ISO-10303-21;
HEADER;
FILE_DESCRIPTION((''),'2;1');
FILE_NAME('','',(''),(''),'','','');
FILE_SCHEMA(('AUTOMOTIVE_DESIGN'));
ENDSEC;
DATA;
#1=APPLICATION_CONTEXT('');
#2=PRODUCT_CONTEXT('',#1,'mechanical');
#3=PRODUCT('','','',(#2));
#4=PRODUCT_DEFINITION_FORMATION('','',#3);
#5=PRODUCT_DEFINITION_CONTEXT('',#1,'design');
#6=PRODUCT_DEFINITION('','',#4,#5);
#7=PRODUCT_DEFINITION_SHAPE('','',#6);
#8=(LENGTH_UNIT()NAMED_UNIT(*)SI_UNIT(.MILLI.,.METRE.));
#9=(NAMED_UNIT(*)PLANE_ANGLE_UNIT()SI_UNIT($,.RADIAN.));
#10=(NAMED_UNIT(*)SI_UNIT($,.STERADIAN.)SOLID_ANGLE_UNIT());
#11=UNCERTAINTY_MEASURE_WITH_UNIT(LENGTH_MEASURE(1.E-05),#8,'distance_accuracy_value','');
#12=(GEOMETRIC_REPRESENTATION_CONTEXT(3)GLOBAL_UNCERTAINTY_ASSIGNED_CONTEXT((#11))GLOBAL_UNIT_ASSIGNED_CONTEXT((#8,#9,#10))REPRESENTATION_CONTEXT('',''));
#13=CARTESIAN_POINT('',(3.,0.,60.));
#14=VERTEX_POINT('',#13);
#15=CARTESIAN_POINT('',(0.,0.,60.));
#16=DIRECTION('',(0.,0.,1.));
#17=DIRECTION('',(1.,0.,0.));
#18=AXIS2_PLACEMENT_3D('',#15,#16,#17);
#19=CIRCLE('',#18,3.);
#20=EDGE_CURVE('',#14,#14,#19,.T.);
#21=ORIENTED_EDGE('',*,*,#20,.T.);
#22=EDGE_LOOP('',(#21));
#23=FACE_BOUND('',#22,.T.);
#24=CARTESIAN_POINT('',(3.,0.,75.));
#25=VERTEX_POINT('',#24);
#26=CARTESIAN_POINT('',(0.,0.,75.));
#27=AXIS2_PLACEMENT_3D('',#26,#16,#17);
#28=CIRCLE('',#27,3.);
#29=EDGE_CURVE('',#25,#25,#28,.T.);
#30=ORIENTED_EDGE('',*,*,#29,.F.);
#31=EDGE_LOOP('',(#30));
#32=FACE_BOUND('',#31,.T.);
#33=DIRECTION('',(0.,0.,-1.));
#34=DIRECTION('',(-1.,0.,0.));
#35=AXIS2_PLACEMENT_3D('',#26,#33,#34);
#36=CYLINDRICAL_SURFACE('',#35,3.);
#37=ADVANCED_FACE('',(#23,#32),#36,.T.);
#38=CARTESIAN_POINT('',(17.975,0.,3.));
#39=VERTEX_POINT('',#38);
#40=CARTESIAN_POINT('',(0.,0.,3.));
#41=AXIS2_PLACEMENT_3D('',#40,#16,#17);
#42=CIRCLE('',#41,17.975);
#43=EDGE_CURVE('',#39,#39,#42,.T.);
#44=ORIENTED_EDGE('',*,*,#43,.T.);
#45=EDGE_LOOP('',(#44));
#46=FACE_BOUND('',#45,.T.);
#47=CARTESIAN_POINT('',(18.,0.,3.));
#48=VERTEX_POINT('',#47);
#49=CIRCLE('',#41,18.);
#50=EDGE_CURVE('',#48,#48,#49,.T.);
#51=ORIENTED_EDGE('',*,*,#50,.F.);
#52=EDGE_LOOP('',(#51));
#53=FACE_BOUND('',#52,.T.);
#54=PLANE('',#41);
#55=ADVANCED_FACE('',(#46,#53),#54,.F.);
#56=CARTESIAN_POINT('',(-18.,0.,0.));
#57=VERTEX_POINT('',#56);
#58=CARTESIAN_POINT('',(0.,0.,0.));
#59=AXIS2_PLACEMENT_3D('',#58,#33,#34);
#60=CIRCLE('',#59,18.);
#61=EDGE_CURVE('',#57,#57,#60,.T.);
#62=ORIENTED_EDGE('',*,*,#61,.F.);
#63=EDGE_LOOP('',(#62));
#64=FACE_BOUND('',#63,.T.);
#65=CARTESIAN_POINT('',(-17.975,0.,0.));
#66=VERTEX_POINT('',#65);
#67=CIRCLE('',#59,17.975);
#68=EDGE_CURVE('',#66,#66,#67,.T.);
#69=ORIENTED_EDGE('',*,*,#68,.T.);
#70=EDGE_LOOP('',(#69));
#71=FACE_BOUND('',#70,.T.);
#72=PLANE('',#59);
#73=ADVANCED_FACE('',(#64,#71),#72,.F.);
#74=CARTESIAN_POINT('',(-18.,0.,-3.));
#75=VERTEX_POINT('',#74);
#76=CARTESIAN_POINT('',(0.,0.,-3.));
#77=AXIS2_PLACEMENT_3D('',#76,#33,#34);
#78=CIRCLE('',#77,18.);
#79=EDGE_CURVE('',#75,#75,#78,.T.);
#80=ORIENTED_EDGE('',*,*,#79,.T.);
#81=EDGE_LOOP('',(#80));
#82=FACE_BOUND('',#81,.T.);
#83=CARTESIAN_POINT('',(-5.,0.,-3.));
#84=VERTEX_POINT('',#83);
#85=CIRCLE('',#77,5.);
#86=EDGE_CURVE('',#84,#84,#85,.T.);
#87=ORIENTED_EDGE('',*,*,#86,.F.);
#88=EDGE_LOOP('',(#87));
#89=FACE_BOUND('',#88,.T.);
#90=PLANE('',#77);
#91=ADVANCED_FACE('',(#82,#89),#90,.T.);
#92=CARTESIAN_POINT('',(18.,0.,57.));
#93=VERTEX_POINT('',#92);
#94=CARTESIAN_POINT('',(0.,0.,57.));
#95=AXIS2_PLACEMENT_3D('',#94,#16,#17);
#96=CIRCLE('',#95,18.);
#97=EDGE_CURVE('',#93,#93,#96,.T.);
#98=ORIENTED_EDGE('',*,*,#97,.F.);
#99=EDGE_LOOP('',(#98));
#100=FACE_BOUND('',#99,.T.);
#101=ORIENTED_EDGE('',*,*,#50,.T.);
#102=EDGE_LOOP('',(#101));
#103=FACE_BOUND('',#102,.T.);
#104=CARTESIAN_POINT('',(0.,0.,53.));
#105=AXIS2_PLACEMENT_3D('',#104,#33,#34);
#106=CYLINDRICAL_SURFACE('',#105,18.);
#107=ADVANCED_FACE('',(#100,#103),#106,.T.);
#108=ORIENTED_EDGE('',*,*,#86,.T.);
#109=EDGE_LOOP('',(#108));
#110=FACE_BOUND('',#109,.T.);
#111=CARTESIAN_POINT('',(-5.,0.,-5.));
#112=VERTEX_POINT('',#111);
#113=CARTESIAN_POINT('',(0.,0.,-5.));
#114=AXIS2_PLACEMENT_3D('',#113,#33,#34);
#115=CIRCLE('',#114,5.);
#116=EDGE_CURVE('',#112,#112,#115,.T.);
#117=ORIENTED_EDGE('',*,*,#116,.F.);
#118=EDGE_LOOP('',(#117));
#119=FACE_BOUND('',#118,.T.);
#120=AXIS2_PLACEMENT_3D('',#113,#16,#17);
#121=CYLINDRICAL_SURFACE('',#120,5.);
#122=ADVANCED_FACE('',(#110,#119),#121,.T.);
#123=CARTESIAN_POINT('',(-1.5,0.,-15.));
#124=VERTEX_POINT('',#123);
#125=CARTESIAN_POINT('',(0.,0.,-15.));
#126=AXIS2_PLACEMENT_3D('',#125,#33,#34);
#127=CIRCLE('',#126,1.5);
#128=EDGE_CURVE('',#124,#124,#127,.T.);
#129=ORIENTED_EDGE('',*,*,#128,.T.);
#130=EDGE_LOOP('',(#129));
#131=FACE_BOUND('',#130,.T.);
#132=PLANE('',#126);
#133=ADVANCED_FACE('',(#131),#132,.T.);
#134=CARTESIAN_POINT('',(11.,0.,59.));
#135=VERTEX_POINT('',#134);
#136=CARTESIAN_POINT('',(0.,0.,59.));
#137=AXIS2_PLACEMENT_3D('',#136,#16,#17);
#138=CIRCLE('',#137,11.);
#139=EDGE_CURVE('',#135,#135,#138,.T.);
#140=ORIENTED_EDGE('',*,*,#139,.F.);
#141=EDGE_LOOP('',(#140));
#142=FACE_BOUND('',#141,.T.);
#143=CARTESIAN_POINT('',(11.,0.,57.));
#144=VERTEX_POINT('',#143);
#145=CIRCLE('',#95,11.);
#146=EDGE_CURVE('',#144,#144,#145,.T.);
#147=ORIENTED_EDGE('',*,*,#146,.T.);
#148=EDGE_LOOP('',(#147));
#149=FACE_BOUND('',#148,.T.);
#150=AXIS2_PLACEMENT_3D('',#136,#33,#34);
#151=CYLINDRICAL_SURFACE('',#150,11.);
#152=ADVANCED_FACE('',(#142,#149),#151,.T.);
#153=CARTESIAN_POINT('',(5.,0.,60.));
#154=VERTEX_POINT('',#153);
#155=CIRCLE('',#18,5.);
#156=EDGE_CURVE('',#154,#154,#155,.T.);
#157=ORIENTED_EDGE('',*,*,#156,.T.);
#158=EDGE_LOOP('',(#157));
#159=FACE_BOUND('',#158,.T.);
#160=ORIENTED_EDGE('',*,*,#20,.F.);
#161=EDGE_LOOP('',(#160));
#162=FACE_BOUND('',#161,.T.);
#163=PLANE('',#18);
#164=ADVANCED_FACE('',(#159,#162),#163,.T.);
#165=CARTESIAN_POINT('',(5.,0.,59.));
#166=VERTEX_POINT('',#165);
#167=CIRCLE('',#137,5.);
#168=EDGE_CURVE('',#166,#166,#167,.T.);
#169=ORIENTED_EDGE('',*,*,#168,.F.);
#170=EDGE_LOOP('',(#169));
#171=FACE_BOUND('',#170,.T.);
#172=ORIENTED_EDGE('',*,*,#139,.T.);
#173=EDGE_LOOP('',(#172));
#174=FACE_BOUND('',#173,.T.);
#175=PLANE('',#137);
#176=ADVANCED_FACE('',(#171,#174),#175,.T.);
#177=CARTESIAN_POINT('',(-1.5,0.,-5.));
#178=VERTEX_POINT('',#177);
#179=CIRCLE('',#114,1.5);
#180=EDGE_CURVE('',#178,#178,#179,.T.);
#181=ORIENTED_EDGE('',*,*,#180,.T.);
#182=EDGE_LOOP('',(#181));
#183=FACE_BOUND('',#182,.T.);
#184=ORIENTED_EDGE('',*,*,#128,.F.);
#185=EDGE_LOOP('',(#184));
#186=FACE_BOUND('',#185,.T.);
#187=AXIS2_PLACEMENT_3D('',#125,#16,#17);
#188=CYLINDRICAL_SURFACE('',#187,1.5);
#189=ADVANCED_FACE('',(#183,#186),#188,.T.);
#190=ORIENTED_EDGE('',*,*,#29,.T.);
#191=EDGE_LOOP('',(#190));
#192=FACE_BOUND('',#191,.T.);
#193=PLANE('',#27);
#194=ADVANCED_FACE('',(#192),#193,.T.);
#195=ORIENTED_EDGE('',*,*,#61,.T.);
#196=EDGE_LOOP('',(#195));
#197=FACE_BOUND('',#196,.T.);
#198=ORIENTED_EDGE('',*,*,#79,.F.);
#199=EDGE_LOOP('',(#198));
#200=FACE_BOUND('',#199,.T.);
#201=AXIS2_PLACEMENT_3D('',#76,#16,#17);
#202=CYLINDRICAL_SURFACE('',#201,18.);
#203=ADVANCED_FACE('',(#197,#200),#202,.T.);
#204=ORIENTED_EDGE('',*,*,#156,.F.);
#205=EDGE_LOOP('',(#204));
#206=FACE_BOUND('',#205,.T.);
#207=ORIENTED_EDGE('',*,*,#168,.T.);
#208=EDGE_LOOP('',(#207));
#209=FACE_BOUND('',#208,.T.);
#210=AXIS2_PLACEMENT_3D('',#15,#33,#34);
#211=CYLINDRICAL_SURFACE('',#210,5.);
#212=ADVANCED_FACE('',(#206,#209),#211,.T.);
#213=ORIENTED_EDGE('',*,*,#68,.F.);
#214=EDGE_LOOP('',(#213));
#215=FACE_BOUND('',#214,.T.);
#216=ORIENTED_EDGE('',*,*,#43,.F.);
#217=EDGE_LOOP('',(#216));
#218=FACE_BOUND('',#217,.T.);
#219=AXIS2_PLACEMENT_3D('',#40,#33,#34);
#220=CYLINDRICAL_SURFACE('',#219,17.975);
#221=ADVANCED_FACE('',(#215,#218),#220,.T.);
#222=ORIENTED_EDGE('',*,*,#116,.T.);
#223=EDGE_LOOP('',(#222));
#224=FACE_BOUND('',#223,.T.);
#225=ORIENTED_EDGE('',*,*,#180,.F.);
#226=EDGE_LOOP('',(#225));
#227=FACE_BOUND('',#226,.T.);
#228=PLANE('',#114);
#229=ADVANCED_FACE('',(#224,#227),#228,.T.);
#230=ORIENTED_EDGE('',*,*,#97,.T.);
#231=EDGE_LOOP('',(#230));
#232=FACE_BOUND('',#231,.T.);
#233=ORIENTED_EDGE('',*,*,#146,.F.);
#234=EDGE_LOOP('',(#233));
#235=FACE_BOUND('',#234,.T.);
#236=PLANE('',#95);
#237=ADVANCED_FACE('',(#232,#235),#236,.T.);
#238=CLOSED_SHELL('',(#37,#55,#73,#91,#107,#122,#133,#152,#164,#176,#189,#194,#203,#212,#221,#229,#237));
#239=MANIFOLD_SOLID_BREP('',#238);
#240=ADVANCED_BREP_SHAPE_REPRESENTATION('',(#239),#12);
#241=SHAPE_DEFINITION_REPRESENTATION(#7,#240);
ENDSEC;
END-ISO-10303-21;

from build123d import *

# Parameters (mm, degrees)
SKETCH_1_R       = 17.975
EXTRUDE_1_DEPTH  = 3
SKETCH_2_R       = 18
EXTRUDE_2_DEPTH  = 50
SKETCH_3_R       = 18
EXTRUDE_3_DEPTH  = 4
SKETCH_4_R       = 11
EXTRUDE_4_DEPTH  = 2
SKETCH_5_R       = 5
EXTRUDE_6_DEPTH  = 1
SKETCH_6_R       = 3
EXTRUDE_7_DEPTH  = 15
SKETCH_8_R       = 18
EXTRUDE_9_DEPTH  = 3
SKETCH_9_R       = 5
EXTRUDE_10_DEPTH = 2
SKETCH_10_R      = 1.5
EXTRUDE_11_DEPTH = 10


with BuildPart() as part:
    # 草圖1 → 填料-伸長1 (new body)
    with BuildSketch(Plane.XY):
        Circle(SKETCH_1_R)
    extrude(amount=EXTRUDE_1_DEPTH)

    # 草圖2 → 填料-伸長2 (add)
    with BuildSketch(Plane.XY.offset(3)):
        Circle(SKETCH_2_R)
    extrude(amount=EXTRUDE_2_DEPTH)

    # 草圖3 → 填料-伸長3 (add)
    with BuildSketch(Plane.XY.offset(53)):
        Circle(SKETCH_3_R)
    extrude(amount=EXTRUDE_3_DEPTH)

    # 草圖4 → 填料-伸長4 (add)
    with BuildSketch(Plane.XY.offset(57)):
        Circle(SKETCH_4_R)
    extrude(amount=EXTRUDE_4_DEPTH)

    # 草圖5 → 填料-伸長6 (add)
    with BuildSketch(Plane.XY.offset(59)):
        Circle(SKETCH_5_R)
    extrude(amount=EXTRUDE_6_DEPTH)

    # 草圖6 → 填料-伸長7 (add)
    with BuildSketch(Plane.XY.offset(60)):
        Circle(SKETCH_6_R)
    extrude(amount=EXTRUDE_7_DEPTH)

    # 草圖8 → 填料-伸長9 (add)
    with BuildSketch(Plane(origin=(0, 0, 0), x_dir=(-1, 0, 0), z_dir=(0, 0, -1))):
        Circle(SKETCH_8_R)
    extrude(amount=EXTRUDE_9_DEPTH)

    # 草圖9 → 填料-伸長10 (add)
    with BuildSketch(Plane(origin=(0, 0, -3), x_dir=(-1, 0, 0), z_dir=(0, 0, -1))):
        Circle(SKETCH_9_R)
    extrude(amount=EXTRUDE_10_DEPTH)

    # 草圖10 → 填料-伸長11 (add)
    with BuildSketch(Plane(origin=(0, 0, -5), x_dir=(-1, 0, 0), z_dir=(0, 0, -1))):
        Circle(SKETCH_10_R)
    extrude(amount=EXTRUDE_11_DEPTH)


solid = part.part
